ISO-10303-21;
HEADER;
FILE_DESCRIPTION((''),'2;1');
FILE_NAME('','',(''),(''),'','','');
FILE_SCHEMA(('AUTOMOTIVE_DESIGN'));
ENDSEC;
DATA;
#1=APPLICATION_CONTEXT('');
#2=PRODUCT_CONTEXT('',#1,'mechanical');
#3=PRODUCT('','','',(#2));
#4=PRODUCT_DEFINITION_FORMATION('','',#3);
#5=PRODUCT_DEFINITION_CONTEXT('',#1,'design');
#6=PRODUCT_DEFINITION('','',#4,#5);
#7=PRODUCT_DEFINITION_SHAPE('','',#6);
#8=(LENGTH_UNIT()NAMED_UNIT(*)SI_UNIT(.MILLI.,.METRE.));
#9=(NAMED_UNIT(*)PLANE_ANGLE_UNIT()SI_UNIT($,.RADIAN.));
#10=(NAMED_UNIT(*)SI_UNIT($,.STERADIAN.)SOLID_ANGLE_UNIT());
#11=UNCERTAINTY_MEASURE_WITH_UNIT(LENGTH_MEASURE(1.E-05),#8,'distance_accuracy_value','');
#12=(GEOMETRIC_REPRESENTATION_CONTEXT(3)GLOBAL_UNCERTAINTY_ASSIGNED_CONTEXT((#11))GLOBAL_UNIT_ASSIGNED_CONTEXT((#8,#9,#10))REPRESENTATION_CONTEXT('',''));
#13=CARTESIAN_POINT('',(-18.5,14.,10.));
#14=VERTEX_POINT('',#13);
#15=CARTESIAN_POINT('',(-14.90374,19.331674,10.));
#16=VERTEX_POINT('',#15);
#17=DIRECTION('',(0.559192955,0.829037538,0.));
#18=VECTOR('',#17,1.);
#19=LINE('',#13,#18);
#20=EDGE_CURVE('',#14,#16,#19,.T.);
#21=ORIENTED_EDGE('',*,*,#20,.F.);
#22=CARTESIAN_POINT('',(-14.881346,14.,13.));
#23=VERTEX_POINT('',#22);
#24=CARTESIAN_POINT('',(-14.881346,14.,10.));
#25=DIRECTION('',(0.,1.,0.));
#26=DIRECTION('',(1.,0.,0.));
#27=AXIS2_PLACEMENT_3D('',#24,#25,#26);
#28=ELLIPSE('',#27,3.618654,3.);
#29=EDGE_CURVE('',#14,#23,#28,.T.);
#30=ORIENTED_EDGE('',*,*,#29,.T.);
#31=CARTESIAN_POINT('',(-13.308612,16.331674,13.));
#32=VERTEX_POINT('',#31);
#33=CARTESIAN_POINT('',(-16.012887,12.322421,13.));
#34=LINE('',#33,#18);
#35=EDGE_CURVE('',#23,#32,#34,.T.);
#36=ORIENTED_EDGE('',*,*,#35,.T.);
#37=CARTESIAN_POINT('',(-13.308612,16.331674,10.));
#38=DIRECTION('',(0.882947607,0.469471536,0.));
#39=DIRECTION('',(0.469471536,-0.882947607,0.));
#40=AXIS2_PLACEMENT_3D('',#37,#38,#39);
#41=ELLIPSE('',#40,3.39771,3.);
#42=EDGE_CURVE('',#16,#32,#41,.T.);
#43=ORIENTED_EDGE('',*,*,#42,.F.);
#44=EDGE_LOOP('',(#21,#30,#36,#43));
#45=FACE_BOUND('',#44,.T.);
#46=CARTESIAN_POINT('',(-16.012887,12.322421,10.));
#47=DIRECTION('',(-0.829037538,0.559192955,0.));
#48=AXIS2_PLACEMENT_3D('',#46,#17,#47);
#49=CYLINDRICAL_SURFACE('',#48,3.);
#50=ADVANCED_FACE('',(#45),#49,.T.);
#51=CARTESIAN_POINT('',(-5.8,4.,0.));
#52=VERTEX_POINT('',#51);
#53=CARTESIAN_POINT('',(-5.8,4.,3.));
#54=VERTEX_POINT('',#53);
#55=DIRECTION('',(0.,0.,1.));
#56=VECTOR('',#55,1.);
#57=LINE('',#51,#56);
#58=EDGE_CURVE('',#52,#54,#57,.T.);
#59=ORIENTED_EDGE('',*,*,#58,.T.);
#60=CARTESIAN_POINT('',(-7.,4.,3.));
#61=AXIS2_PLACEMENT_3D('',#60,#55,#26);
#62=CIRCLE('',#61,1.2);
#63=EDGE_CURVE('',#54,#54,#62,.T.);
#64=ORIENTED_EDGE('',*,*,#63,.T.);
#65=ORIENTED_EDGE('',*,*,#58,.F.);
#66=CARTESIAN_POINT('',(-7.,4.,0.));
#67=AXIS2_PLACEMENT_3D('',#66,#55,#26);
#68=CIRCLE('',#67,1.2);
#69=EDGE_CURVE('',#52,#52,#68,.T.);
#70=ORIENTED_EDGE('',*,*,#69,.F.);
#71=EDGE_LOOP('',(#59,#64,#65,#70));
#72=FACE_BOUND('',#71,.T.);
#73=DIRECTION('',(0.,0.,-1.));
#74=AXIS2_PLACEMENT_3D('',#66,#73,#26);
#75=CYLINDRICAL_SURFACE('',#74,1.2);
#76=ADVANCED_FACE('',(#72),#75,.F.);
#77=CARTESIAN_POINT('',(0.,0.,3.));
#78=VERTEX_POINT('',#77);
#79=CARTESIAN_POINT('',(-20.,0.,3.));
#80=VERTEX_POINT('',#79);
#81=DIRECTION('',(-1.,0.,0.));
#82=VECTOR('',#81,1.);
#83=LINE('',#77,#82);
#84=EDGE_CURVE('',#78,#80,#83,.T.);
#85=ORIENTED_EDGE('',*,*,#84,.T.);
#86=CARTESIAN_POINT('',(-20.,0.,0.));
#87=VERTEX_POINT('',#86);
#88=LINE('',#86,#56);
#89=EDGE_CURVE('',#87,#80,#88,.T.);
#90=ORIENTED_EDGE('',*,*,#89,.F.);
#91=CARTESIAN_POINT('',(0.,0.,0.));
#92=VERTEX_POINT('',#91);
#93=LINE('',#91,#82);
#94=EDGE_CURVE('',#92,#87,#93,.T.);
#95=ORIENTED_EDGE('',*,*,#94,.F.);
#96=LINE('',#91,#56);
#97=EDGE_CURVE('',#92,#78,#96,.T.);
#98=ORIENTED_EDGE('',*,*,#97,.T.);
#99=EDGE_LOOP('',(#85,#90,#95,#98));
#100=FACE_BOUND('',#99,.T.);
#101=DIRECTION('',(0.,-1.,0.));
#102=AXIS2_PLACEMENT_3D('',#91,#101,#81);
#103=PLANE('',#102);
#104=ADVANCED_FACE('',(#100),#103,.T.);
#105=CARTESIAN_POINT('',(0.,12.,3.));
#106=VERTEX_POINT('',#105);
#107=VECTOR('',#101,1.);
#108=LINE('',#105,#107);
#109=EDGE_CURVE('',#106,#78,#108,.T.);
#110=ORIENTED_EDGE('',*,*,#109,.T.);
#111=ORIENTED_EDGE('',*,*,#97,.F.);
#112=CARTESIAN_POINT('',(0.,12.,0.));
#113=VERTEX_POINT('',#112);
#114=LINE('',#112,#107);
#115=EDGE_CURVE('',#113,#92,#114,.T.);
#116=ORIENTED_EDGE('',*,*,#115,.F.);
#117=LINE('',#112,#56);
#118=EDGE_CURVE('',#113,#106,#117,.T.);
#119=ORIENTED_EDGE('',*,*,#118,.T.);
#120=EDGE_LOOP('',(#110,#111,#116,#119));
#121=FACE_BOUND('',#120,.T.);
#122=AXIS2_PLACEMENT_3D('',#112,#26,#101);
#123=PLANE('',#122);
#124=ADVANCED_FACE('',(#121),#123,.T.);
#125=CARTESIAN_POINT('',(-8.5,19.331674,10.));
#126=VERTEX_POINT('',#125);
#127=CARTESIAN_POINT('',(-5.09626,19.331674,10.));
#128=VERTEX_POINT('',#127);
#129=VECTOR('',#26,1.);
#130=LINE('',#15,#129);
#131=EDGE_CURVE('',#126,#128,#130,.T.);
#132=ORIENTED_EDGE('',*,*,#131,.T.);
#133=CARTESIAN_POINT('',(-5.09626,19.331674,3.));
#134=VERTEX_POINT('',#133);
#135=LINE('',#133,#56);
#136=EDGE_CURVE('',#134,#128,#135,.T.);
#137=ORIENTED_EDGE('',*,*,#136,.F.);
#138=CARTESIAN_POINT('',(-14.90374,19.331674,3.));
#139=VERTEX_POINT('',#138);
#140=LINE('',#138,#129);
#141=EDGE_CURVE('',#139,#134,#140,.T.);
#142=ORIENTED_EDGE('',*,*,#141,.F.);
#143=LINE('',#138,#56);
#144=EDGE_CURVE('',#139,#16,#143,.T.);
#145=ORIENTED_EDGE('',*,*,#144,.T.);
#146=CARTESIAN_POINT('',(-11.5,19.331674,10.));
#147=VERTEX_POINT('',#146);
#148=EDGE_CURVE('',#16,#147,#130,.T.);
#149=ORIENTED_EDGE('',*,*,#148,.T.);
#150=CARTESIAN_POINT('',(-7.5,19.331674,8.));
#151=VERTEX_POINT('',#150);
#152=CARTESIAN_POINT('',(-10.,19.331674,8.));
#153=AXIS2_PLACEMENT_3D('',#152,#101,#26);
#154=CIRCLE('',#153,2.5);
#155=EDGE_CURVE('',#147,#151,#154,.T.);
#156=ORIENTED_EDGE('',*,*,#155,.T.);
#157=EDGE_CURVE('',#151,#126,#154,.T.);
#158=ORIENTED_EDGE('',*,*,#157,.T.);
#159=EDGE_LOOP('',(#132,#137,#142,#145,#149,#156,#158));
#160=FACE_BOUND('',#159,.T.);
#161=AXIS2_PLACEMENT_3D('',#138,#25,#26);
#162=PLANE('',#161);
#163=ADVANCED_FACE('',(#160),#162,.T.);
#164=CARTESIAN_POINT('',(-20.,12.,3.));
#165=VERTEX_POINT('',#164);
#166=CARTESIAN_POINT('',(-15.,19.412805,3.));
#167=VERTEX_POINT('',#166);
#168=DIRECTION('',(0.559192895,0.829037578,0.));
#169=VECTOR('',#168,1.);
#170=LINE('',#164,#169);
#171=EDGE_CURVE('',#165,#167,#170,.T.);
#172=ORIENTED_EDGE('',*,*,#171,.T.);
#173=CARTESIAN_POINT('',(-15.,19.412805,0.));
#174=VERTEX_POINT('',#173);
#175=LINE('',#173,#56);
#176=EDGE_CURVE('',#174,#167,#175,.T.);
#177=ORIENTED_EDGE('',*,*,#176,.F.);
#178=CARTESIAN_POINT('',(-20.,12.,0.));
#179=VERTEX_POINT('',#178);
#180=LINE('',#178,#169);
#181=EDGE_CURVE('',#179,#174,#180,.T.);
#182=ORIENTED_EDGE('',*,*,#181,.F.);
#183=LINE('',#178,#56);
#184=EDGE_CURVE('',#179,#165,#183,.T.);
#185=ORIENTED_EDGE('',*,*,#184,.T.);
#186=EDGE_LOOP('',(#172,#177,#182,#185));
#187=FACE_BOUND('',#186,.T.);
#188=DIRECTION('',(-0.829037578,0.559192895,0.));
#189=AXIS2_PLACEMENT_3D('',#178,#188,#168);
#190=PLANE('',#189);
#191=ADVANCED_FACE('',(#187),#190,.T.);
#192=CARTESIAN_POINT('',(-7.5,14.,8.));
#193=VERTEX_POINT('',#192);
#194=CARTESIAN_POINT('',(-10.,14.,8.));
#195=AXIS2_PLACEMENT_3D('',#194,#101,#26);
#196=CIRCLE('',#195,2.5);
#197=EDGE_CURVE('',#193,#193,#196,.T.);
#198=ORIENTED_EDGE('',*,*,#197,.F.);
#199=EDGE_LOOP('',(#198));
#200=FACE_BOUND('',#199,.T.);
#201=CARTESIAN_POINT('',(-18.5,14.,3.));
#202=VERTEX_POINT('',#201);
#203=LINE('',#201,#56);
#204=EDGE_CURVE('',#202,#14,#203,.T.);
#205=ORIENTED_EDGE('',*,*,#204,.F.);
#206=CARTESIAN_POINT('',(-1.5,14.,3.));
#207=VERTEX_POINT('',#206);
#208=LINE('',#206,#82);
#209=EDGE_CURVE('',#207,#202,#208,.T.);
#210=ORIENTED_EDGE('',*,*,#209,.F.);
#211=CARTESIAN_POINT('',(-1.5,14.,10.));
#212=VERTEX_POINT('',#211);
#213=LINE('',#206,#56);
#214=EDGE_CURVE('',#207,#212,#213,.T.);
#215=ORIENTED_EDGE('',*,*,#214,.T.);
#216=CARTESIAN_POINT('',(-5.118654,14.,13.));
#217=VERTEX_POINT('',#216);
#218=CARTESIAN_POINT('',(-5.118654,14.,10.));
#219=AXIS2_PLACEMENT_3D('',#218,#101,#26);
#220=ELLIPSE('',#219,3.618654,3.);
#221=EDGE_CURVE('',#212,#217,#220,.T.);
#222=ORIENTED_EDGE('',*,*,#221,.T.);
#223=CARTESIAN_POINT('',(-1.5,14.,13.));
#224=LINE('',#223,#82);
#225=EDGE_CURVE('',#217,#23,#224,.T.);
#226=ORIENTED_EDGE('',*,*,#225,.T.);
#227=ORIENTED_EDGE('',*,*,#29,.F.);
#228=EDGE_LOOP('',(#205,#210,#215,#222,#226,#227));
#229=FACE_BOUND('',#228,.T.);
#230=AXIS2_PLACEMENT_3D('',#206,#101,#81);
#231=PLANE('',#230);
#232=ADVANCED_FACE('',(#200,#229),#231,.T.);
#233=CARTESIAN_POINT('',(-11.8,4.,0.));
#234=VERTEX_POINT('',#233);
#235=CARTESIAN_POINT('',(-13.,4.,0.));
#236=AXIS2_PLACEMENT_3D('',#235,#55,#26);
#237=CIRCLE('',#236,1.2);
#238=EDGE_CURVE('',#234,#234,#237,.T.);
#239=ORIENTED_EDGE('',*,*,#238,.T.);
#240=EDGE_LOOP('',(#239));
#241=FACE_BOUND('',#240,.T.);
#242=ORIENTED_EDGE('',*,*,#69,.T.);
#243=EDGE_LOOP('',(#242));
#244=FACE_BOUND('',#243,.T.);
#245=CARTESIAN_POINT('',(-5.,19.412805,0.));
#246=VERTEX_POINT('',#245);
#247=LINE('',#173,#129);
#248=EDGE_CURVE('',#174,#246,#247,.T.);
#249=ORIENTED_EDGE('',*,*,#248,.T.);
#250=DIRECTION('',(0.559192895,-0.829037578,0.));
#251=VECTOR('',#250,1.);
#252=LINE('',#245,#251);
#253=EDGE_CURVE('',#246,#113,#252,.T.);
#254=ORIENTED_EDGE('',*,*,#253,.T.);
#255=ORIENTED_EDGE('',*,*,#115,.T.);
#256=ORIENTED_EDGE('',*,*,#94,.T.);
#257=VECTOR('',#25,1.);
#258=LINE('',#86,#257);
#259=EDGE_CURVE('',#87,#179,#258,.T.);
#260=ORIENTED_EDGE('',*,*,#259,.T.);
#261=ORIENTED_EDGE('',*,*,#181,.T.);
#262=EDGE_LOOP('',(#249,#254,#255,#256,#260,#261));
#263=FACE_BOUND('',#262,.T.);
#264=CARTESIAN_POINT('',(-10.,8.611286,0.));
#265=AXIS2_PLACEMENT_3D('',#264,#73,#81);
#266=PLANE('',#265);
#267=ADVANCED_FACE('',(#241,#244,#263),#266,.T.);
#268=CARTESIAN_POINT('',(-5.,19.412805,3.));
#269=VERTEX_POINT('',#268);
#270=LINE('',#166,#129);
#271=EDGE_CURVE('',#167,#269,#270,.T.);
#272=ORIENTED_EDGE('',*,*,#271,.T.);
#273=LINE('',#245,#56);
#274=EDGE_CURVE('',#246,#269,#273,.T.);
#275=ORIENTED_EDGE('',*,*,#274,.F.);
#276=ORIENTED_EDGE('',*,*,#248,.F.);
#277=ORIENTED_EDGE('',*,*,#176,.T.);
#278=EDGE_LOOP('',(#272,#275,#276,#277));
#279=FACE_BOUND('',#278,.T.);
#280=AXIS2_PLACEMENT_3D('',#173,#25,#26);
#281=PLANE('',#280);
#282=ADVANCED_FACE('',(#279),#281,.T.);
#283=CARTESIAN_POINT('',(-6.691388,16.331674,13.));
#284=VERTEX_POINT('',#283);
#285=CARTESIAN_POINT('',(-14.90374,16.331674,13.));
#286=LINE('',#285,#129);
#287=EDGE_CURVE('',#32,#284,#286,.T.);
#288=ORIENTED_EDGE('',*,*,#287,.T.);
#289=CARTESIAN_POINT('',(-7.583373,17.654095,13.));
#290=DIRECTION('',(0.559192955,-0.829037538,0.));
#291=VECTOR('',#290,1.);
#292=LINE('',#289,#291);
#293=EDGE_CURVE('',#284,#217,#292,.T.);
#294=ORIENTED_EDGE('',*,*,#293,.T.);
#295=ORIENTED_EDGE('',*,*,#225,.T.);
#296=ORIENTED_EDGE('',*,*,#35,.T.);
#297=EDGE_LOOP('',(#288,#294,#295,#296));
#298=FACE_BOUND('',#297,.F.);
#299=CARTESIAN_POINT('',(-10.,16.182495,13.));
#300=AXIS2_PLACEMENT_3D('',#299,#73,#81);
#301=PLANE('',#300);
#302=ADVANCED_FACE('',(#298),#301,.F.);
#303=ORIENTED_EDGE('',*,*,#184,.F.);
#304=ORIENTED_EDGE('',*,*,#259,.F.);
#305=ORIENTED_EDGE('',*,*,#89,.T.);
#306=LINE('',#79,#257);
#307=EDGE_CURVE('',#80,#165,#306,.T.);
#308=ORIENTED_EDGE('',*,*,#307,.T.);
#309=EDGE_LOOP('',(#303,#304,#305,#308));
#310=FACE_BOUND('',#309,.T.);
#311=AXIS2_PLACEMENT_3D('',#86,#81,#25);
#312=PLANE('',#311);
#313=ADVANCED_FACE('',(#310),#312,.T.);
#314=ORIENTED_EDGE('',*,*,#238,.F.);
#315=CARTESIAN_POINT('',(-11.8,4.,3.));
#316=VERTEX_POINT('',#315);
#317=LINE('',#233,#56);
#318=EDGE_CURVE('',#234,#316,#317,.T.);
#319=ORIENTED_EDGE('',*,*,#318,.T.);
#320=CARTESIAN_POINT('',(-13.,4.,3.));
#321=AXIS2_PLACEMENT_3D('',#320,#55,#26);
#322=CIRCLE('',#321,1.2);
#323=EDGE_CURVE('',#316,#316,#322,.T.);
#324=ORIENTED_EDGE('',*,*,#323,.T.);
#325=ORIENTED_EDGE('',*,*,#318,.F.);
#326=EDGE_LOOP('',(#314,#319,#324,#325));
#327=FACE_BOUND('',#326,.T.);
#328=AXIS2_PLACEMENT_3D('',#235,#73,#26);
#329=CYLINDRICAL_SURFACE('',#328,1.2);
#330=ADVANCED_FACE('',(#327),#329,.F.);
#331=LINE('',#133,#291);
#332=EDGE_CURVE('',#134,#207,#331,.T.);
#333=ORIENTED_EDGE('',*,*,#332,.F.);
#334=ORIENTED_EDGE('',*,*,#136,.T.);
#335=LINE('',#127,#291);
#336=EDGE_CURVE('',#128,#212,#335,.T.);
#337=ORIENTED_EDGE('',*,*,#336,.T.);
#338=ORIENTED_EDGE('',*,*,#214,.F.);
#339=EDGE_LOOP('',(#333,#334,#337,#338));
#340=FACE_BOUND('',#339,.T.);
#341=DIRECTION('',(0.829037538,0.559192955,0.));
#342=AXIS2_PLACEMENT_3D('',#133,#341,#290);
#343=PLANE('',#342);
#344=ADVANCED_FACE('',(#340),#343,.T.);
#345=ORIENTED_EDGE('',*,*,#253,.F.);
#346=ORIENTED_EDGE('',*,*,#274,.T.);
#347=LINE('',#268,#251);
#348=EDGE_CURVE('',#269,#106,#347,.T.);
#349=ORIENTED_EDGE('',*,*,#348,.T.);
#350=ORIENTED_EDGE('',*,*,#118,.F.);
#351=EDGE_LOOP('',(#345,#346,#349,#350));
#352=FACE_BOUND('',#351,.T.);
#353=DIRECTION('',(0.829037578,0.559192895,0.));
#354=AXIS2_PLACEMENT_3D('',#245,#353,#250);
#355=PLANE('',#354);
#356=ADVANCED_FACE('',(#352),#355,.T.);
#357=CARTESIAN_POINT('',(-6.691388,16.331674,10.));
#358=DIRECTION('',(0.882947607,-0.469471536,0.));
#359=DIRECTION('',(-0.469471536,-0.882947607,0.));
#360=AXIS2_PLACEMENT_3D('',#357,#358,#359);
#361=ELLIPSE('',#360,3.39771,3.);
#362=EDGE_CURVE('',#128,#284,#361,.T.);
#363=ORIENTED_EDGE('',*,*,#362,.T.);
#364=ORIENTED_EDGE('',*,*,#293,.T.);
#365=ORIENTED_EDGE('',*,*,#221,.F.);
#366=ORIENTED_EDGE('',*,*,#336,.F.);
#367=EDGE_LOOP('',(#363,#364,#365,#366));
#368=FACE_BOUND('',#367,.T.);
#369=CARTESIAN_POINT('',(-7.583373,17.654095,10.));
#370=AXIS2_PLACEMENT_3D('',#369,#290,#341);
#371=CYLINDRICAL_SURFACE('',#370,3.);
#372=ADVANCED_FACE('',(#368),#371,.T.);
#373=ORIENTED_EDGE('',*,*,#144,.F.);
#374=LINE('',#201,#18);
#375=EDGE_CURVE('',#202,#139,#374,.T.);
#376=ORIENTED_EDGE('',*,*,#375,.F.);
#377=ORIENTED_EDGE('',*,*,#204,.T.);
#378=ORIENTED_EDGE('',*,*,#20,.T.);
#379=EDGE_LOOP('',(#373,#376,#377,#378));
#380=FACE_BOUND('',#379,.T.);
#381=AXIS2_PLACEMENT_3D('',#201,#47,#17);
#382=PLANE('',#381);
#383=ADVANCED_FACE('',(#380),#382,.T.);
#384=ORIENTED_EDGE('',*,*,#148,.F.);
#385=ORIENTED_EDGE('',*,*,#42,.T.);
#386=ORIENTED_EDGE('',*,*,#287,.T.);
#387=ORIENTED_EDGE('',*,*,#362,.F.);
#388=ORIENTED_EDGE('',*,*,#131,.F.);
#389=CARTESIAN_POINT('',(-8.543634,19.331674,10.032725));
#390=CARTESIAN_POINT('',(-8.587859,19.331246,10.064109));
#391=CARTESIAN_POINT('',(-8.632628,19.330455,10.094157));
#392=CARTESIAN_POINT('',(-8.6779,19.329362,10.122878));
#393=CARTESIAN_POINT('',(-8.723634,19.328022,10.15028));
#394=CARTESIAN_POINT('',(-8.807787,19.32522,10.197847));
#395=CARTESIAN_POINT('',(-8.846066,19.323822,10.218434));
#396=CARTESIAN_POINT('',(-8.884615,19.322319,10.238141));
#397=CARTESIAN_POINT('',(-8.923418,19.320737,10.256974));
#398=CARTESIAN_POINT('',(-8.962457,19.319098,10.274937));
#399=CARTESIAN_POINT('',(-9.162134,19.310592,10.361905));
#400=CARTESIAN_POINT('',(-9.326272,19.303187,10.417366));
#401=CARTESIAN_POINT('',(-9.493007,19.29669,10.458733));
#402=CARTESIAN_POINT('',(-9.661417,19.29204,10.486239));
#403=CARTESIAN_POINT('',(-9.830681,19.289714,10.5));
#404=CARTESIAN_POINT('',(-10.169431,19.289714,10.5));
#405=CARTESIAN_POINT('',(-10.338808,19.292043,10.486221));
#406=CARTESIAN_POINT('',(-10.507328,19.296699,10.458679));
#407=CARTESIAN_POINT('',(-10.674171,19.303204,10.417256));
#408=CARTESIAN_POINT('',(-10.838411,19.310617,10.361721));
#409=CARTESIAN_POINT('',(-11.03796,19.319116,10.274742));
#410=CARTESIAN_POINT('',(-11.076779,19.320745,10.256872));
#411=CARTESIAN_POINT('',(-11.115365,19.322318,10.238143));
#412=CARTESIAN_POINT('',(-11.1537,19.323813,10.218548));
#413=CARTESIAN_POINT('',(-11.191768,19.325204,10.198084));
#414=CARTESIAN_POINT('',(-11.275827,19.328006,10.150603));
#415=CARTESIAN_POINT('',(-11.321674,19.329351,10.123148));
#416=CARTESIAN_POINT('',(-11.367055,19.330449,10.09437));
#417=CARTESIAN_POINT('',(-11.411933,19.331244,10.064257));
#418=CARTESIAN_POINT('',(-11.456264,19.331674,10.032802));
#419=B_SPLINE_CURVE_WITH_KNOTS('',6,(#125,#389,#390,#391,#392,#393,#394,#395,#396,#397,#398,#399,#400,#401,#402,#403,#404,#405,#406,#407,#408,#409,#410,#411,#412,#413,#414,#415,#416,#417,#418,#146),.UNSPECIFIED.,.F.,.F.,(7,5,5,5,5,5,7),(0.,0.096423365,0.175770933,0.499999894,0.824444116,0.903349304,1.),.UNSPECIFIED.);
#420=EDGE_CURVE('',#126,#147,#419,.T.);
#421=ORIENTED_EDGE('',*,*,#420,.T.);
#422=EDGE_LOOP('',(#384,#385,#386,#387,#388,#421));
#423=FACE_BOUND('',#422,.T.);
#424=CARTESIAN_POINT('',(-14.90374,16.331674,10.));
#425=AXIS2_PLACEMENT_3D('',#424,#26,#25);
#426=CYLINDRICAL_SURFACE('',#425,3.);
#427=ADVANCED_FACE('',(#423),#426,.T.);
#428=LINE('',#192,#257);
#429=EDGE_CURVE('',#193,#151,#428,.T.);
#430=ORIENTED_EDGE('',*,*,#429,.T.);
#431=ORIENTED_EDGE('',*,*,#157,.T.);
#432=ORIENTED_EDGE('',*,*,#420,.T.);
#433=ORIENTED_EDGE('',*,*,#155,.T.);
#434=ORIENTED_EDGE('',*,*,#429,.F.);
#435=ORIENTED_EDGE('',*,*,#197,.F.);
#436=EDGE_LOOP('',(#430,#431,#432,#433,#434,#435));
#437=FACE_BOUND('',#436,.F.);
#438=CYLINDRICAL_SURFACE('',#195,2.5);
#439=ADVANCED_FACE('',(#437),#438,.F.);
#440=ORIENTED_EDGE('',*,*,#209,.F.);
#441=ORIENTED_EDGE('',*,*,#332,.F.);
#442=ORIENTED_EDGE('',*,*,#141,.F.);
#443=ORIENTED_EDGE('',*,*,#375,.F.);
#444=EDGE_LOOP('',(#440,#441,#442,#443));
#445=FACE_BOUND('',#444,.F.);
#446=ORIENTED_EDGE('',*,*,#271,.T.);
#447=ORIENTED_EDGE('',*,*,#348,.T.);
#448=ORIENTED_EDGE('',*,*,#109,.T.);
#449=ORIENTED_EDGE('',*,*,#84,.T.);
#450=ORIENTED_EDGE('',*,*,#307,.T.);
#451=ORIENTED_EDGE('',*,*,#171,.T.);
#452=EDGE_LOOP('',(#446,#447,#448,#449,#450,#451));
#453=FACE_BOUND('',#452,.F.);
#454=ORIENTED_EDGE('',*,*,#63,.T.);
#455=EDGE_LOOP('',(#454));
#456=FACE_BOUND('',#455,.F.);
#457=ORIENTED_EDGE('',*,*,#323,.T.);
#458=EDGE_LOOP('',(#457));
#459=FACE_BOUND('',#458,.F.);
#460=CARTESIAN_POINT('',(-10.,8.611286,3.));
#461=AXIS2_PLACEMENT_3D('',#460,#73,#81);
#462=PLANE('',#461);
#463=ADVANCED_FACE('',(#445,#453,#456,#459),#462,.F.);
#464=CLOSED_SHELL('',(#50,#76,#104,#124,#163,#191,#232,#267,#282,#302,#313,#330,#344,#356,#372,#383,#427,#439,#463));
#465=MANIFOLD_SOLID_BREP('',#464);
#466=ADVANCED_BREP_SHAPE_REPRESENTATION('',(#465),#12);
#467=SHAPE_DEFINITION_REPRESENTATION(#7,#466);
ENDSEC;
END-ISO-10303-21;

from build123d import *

# Parameters (mm, degrees)
SKETCH_R     = 1.2
PAD_DEPTH    = 3
PAD001_DEPTH = 10
FILLET_R     = 3
SKETCH002_R  = 2.5
POCKET_DEPTH = 6


with BuildPart() as part:
    # Sketch → Pad (new body)
    with BuildSketch(Plane.XY):
        Polygon((0, 12), (0, 0), (-20, 0), (-20, 12), (-15, 19.412805), (-5, 19.412805), align=None)
        with Locations((-13, 4)):
            Circle(SKETCH_R, mode=Mode.SUBTRACT)
        with Locations((-7, 4)):
            Circle(SKETCH_R, mode=Mode.SUBTRACT)
    extrude(amount=PAD_DEPTH)

    # Sketch001 (on Face10 of Pad) → Pad001 (join)
    with BuildSketch(Plane.XY.offset(3)):
        Polygon((-14.90374, 19.331674), (-5.09626, 19.331674), (-1.5, 14), (-18.5, 14), align=None)
    extrude(amount=PAD001_DEPTH)

    # Fillet
    fillet_edges = [part.edges().sort_by_distance(p)[0] for p in [
        (-3.29813, 16.665837, 13),
        (-10, 19.331674, 13),
        (-16.70187, 16.665837, 13),
    ]]
    fillet(fillet_edges, radius=FILLET_R)

    # Sketch002 (on Face12 of Pad001) → Pocket (cut)
    with BuildSketch(Plane.XZ.offset(-14)):
        with Locations((-10, 8)):
            Circle(SKETCH002_R)
    extrude(amount=-POCKET_DEPTH, mode=Mode.SUBTRACT)


solid = part.part
